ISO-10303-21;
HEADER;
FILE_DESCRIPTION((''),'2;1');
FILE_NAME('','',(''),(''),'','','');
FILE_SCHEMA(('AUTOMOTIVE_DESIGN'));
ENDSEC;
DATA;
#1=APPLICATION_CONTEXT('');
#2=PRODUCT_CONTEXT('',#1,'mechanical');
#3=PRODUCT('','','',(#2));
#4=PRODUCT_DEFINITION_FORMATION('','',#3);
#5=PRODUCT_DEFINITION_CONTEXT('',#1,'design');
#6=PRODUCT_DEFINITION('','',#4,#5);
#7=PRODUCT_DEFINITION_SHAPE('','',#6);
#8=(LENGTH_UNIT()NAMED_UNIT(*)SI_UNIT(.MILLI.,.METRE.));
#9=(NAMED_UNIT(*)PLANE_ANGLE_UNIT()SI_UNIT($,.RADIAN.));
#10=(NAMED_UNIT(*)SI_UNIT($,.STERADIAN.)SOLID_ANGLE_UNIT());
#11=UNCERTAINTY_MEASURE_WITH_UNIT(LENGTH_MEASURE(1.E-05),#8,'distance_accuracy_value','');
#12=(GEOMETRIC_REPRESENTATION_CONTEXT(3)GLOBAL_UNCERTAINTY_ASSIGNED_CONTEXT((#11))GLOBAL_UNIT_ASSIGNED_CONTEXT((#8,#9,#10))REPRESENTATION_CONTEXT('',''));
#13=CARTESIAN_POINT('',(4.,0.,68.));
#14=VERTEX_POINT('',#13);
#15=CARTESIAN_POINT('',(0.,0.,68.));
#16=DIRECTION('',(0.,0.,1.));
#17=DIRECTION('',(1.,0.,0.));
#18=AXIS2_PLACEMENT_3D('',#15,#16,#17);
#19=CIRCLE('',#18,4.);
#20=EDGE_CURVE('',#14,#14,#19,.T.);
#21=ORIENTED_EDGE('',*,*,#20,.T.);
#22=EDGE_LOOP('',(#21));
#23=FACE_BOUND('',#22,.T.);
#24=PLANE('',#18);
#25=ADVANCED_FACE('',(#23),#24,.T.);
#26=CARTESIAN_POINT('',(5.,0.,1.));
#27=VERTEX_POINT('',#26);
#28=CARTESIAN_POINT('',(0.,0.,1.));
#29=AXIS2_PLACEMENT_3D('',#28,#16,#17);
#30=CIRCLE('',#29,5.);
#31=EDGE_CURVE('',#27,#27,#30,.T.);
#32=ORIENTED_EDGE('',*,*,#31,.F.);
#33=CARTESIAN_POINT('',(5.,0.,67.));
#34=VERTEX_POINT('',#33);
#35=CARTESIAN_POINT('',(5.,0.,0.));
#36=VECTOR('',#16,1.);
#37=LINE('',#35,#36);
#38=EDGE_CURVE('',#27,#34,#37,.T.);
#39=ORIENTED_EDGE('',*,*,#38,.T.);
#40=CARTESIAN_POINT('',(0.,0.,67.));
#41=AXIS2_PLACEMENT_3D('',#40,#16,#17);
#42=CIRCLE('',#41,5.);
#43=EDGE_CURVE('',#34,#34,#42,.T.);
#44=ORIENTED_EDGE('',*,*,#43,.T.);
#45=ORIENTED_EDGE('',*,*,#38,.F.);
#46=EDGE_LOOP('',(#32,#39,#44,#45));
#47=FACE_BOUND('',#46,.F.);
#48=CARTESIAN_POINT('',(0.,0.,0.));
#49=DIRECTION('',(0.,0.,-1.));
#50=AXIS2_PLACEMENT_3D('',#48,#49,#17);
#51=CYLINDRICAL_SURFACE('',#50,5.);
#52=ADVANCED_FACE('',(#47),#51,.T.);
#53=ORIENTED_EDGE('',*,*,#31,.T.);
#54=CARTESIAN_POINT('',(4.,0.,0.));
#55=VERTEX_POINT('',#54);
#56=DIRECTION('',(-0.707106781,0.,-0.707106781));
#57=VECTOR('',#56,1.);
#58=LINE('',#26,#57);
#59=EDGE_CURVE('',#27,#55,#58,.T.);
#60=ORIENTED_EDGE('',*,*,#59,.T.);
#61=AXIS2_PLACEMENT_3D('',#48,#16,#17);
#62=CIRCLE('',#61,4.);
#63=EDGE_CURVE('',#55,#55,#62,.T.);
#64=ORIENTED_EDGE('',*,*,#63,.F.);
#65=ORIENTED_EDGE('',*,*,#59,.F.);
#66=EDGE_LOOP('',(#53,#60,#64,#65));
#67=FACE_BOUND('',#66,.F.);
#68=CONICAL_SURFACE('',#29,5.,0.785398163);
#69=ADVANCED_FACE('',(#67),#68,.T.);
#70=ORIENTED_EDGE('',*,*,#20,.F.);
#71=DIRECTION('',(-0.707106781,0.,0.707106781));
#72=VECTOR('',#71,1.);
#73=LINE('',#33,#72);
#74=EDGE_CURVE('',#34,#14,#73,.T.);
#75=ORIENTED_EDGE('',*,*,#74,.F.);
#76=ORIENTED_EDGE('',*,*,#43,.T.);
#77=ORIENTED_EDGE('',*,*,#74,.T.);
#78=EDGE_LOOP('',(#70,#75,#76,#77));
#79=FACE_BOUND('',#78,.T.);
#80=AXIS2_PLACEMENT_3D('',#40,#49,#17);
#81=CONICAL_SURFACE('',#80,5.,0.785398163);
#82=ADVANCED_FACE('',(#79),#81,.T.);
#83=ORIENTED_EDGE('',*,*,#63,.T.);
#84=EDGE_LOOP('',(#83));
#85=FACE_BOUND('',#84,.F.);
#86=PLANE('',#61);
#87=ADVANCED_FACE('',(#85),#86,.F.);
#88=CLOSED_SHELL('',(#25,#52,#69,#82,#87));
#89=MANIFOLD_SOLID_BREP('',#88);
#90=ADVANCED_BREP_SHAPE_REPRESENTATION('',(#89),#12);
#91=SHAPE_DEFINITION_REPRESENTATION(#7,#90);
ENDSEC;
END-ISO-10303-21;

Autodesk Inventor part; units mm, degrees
ref_plane "YZ Plane" through (0, 0, 0) normal (1, 0, 0) x (0, 1, 0)
ref_plane "XZ Plane" through (0, 0, 0) normal (0, 1, 0) x (-1, 0, 0)
ref_plane "XY Plane" through (0, 0, 0) normal (0, 0, 1) x (1, 0, 0)
sketch "Sketch1" plane through (0, 0, 0) normal (0, 0, 1) x (1, 0, 0)
  circle A0 centre (0, 0) radius 5
  dimension "d0" = 10
extrude "Extrusion1" add sketch "Sketch1" along normal blind 68
chamfer "Chamfer1" distance 1 angle 45 2 edges at (-5, 0, 68) (-5, 0, 0)
properties part number "1st arm and clamp pin"
